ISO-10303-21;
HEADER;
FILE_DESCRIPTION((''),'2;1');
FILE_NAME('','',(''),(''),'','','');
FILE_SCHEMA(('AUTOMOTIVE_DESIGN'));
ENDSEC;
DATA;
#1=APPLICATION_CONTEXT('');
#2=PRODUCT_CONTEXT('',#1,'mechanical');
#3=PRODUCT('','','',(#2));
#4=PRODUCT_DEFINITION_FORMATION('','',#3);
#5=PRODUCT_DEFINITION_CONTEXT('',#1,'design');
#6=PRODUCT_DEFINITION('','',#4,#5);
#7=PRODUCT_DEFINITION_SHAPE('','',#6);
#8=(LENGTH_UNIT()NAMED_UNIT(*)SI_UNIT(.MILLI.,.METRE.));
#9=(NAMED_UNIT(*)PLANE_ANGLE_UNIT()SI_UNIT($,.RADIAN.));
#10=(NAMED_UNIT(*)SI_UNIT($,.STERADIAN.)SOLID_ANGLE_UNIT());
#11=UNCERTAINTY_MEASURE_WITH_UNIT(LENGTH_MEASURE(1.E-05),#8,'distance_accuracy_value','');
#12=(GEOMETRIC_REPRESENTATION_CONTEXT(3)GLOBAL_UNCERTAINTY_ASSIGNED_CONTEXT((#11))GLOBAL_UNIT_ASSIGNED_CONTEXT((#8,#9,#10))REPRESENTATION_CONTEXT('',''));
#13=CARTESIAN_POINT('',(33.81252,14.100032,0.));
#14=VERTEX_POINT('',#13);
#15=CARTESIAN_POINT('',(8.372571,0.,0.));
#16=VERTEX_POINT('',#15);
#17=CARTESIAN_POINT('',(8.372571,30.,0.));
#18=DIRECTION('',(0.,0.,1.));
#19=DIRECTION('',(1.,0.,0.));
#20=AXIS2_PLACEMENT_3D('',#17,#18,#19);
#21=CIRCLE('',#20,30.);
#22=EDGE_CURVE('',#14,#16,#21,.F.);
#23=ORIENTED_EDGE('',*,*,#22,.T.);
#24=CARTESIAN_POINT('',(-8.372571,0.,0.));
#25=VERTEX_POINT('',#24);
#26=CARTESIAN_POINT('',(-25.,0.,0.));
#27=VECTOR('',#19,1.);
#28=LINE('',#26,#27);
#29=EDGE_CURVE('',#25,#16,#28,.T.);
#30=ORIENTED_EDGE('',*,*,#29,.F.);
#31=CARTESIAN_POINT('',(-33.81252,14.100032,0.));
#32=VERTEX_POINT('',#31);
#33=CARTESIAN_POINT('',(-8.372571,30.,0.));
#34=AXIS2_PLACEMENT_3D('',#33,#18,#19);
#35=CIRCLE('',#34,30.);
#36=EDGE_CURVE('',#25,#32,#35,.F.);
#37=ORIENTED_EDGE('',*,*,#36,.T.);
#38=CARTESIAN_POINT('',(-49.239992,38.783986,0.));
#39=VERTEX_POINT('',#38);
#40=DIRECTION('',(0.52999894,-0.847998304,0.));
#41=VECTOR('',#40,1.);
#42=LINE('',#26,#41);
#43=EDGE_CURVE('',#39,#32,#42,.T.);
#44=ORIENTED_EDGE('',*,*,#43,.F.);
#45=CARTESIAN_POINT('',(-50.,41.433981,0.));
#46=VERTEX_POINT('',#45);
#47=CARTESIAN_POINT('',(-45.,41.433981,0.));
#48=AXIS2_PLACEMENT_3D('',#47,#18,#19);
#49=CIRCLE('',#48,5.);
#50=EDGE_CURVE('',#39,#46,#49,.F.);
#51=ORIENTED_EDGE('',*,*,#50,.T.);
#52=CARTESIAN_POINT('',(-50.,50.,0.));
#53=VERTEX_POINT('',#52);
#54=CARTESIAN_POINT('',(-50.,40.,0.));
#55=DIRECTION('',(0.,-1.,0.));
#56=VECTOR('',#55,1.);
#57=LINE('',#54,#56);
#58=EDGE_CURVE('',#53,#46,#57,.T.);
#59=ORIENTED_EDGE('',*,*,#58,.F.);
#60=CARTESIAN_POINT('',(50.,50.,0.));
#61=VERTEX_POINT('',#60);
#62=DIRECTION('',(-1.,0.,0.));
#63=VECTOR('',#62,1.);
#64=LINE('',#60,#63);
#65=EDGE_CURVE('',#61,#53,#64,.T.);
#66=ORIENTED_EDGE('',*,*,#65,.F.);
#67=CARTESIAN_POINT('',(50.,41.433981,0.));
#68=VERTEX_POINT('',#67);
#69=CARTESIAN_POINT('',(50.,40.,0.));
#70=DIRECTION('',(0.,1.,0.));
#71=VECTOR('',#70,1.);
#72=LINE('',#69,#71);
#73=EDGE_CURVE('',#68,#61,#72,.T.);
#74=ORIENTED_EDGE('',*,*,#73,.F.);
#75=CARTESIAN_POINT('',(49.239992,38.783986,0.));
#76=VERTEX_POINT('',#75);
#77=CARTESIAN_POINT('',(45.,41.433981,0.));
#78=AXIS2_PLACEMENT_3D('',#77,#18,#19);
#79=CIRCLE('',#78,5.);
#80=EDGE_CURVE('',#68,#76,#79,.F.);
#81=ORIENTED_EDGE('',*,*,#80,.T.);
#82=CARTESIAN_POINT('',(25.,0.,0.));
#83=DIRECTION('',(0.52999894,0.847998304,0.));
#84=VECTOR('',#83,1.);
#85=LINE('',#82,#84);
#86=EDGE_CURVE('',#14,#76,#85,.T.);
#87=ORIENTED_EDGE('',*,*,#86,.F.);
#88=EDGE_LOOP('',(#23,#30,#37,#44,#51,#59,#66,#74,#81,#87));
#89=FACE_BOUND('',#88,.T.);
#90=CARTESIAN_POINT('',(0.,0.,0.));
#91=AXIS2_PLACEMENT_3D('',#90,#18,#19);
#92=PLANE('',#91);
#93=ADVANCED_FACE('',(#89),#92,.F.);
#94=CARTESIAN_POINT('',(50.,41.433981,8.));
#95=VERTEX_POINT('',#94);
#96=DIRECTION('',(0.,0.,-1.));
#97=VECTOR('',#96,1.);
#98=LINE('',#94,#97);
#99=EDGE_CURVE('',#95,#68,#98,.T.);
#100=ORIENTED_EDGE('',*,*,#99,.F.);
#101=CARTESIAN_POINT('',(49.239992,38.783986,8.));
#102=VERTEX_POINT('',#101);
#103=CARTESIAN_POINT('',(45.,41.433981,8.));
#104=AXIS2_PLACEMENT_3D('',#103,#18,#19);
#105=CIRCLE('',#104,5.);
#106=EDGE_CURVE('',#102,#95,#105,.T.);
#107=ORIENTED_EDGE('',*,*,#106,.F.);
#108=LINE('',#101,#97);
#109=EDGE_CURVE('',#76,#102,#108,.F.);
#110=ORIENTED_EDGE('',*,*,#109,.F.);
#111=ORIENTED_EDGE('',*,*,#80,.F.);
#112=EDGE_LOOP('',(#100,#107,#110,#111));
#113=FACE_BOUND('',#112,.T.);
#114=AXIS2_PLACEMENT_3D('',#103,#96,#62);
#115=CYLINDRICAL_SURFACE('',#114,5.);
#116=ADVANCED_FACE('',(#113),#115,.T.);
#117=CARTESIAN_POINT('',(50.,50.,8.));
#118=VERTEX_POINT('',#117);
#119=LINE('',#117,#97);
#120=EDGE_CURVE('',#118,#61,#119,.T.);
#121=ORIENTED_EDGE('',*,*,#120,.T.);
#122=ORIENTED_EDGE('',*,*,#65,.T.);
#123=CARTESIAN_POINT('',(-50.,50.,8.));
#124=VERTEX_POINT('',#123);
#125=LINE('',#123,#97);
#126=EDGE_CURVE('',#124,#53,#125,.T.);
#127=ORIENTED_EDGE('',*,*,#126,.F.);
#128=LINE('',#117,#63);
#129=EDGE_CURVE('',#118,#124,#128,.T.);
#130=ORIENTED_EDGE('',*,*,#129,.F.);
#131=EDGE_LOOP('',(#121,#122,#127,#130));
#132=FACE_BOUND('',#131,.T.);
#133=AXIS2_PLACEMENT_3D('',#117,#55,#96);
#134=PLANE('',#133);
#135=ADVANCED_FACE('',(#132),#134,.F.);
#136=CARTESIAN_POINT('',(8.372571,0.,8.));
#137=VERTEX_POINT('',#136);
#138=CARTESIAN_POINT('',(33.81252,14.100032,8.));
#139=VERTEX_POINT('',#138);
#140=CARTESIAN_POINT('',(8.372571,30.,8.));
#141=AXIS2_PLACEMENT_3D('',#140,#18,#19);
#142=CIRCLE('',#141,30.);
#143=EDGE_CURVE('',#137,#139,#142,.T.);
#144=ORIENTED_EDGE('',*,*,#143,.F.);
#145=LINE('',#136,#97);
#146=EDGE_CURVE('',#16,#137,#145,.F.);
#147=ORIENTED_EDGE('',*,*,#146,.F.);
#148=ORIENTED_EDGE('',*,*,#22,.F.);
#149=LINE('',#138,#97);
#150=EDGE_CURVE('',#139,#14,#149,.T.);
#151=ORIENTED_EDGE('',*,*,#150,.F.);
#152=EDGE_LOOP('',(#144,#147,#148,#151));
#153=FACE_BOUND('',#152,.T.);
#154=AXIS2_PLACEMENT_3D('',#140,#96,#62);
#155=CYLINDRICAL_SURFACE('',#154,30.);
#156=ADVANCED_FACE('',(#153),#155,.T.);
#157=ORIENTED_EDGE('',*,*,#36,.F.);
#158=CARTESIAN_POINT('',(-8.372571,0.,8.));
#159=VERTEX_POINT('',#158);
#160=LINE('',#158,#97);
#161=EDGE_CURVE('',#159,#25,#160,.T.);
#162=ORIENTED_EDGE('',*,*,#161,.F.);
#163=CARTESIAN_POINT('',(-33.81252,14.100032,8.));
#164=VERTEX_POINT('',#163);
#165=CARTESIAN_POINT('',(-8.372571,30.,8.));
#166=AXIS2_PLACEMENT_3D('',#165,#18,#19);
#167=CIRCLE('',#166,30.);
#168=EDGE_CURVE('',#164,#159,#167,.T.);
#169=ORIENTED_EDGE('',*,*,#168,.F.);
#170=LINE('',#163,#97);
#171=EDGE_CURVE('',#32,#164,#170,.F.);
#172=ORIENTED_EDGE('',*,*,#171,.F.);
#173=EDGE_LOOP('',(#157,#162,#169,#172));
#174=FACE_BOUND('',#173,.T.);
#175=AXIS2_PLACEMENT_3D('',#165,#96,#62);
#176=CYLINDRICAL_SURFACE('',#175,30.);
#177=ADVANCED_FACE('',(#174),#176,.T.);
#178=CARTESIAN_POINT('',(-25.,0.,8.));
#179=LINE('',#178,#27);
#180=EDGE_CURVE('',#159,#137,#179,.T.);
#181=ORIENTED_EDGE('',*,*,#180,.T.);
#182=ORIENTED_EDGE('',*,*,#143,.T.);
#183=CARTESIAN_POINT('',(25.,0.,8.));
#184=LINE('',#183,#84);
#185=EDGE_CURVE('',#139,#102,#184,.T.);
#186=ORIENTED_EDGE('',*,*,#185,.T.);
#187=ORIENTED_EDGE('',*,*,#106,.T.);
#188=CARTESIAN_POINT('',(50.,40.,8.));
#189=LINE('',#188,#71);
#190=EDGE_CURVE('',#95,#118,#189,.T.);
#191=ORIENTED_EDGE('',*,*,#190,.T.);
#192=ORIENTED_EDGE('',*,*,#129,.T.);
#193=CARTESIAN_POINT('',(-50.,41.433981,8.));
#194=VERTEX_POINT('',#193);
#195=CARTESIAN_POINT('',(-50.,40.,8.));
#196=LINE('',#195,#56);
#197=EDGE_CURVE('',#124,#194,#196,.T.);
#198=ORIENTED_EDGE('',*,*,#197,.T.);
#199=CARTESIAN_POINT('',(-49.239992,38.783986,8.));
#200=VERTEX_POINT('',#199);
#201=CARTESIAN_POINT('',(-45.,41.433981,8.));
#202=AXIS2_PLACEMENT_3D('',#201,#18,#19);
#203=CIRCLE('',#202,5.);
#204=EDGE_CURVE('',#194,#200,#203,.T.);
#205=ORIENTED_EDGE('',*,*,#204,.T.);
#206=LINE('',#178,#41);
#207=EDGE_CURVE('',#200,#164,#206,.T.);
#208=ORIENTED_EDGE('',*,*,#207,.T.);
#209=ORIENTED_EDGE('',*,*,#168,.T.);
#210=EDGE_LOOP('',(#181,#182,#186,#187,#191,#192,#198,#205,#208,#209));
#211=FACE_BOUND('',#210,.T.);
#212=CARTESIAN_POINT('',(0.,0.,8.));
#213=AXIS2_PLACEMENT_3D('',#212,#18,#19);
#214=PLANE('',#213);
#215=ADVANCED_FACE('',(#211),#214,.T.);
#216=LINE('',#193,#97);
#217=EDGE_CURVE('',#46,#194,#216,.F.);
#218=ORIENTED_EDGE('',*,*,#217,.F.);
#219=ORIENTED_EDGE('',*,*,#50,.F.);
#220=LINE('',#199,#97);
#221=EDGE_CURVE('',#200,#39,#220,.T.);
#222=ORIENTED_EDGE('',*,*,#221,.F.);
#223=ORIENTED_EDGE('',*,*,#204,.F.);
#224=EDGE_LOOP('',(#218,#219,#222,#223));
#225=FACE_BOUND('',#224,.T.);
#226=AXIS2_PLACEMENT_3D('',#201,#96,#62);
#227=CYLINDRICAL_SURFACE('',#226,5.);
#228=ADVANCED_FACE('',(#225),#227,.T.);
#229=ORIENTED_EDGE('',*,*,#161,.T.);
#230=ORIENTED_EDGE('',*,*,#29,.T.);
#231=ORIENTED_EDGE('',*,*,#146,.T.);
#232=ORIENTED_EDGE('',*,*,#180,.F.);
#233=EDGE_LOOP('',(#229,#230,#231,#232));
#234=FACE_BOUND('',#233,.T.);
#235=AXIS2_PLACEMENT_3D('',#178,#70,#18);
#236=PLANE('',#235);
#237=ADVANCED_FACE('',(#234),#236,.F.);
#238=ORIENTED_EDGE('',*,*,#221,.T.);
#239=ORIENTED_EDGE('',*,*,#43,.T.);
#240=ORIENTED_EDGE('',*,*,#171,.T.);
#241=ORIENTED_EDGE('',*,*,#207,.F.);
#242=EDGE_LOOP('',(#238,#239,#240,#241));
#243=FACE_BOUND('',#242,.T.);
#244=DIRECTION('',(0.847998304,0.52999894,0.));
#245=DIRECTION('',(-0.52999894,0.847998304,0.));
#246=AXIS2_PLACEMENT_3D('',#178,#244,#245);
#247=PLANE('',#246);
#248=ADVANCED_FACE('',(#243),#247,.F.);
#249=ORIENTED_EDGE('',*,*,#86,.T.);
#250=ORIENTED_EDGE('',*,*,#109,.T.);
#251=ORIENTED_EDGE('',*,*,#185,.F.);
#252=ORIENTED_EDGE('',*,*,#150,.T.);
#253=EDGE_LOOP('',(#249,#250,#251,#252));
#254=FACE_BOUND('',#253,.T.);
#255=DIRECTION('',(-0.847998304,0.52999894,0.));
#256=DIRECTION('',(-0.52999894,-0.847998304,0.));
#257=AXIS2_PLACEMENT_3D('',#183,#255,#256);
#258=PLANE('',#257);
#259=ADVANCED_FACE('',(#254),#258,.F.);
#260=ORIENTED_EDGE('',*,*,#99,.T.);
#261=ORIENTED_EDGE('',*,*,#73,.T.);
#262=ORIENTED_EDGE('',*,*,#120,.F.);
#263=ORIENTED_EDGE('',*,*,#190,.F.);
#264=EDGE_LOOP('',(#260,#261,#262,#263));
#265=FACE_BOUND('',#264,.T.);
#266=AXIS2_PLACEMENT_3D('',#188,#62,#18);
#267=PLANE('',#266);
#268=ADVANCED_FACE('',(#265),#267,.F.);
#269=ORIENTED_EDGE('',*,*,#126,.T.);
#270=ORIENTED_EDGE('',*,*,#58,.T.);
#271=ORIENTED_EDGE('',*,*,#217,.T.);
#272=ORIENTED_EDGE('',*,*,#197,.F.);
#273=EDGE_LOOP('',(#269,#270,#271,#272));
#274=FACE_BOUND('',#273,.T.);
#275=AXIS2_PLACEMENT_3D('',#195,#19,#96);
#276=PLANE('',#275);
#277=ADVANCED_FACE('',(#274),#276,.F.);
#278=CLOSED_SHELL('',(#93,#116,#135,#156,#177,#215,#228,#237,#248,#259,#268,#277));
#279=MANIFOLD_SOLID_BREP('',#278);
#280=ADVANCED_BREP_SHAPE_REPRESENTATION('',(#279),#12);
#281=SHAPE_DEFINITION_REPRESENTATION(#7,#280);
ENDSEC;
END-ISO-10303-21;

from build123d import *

# Parameters (mm, degrees)
EXTRUDE_1_DEPTH = 8
FILLET_1_R      = 30
FILLET_2_R      = 5


with BuildPart() as part:
    # 草图1 → 凸台-拉伸1 (new body)
    with BuildSketch(Plane.XY):
        Polygon((-25, 0), (25, 0), (50, 40), (50, 50), (-50, 50), (-50, 40), align=None)
    extrude(amount=EXTRUDE_1_DEPTH)

    # 圆角1
    fillet_1_edges = [part.edges().sort_by_distance(p)[0] for p in [
        (25, 0, 4),
        (-25, 0, 4),
    ]]
    fillet(fillet_1_edges, radius=FILLET_1_R)

    # 圆角2
    fillet_2_edges = [part.edges().sort_by_distance(p)[0] for p in [
        (50, 40, 4),
        (-50, 40, 4),
    ]]
    fillet(fillet_2_edges, radius=FILLET_2_R)


solid = part.part
